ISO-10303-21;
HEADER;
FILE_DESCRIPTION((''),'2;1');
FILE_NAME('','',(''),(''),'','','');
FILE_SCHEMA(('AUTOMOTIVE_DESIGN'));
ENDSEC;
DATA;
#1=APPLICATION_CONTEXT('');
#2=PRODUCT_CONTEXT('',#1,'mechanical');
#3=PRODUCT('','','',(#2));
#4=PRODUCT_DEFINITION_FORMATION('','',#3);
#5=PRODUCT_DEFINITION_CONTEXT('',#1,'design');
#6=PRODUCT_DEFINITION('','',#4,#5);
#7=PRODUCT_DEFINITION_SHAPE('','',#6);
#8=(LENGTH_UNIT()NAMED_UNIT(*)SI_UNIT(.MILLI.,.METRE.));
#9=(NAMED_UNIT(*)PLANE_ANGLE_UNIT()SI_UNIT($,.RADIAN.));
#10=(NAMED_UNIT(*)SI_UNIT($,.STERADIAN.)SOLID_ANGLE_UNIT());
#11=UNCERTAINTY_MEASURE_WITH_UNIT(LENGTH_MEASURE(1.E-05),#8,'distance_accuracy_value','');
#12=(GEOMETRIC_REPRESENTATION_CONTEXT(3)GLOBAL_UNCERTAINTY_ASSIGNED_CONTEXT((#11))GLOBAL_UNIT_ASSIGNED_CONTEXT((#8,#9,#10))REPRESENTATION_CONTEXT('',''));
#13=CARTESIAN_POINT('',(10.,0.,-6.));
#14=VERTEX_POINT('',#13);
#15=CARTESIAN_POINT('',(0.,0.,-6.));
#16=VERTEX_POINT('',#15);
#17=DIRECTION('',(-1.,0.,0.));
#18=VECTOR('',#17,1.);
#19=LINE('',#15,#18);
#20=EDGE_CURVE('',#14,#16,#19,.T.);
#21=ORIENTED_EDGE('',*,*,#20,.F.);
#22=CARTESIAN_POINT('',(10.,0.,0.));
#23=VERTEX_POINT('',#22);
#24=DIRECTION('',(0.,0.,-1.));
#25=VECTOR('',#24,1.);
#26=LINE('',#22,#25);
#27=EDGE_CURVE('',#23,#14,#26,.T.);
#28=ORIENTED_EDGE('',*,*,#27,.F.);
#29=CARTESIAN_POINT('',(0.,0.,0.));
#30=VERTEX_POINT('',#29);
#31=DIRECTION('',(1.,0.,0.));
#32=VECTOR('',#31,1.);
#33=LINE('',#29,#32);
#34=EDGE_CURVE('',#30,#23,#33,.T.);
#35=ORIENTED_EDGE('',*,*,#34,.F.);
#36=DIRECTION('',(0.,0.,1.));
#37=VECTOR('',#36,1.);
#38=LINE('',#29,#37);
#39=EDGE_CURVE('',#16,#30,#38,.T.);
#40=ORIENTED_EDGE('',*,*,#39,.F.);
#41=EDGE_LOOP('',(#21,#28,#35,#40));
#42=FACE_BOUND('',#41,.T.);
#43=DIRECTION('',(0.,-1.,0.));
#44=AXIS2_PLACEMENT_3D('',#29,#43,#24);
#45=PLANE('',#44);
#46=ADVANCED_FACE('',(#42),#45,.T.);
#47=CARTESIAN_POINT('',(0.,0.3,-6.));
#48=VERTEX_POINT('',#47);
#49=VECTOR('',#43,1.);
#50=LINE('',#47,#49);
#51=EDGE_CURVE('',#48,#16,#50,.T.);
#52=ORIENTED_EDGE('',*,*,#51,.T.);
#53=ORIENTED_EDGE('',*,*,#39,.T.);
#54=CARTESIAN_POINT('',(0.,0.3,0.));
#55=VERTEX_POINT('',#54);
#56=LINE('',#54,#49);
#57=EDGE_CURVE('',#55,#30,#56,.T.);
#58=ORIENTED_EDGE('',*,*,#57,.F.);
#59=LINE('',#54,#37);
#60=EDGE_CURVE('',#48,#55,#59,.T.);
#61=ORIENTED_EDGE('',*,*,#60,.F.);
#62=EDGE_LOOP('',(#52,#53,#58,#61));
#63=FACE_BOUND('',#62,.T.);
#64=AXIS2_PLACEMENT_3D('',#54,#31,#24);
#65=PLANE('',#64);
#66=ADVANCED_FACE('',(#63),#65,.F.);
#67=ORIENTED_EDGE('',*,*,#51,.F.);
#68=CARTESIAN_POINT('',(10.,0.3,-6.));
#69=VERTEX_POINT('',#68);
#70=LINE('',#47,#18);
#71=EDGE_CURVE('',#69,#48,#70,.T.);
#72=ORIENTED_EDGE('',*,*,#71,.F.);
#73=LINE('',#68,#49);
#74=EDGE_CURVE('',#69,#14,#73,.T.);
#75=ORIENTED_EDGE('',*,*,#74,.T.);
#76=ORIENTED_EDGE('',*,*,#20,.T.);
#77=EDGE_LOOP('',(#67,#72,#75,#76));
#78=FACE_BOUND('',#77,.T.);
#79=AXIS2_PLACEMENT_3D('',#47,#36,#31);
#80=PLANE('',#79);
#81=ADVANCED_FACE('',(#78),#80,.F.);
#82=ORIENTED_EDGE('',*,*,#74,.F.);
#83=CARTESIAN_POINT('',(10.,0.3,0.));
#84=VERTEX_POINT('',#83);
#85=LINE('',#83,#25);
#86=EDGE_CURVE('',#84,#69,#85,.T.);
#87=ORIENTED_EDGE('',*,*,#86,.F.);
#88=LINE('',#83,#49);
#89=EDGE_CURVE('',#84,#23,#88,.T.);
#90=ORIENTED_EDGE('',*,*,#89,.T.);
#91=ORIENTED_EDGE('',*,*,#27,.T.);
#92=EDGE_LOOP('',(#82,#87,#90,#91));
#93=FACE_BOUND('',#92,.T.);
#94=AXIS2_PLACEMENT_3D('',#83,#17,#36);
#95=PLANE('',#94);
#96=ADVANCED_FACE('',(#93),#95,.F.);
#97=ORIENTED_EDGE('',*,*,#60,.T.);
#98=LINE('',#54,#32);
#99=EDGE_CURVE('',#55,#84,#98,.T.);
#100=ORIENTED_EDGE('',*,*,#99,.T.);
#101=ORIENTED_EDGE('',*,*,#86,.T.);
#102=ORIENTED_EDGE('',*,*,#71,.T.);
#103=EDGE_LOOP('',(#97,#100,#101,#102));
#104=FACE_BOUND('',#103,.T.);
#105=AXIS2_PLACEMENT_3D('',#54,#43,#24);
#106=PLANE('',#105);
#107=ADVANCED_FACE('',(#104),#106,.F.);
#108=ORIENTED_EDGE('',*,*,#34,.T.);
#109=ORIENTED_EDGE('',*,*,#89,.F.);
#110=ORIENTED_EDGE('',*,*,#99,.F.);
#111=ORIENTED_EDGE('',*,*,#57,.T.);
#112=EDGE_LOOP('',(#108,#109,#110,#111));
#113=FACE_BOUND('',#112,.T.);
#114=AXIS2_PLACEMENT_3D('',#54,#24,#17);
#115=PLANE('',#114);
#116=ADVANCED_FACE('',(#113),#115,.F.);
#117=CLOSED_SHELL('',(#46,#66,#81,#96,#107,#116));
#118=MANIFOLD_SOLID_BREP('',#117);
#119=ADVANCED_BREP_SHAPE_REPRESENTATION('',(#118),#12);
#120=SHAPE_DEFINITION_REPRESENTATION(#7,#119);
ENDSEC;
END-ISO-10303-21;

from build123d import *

# Parameters (mm, degrees)
SKETCH1_W           = 10
SKETCH1_H           = 6
BOSS_EXTRUDE1_DEPTH = 0.3


with BuildPart() as part:
    # Sketch1 → Boss-Extrude1 (new body)
    with BuildSketch(Plane(origin=(0, 0, 0), x_dir=(1, 0, 0), z_dir=(0, 1, 0))):
        with Locations((5, 3)):
            Rectangle(SKETCH1_W, SKETCH1_H)
    extrude(amount=BOSS_EXTRUDE1_DEPTH)


solid = part.part
